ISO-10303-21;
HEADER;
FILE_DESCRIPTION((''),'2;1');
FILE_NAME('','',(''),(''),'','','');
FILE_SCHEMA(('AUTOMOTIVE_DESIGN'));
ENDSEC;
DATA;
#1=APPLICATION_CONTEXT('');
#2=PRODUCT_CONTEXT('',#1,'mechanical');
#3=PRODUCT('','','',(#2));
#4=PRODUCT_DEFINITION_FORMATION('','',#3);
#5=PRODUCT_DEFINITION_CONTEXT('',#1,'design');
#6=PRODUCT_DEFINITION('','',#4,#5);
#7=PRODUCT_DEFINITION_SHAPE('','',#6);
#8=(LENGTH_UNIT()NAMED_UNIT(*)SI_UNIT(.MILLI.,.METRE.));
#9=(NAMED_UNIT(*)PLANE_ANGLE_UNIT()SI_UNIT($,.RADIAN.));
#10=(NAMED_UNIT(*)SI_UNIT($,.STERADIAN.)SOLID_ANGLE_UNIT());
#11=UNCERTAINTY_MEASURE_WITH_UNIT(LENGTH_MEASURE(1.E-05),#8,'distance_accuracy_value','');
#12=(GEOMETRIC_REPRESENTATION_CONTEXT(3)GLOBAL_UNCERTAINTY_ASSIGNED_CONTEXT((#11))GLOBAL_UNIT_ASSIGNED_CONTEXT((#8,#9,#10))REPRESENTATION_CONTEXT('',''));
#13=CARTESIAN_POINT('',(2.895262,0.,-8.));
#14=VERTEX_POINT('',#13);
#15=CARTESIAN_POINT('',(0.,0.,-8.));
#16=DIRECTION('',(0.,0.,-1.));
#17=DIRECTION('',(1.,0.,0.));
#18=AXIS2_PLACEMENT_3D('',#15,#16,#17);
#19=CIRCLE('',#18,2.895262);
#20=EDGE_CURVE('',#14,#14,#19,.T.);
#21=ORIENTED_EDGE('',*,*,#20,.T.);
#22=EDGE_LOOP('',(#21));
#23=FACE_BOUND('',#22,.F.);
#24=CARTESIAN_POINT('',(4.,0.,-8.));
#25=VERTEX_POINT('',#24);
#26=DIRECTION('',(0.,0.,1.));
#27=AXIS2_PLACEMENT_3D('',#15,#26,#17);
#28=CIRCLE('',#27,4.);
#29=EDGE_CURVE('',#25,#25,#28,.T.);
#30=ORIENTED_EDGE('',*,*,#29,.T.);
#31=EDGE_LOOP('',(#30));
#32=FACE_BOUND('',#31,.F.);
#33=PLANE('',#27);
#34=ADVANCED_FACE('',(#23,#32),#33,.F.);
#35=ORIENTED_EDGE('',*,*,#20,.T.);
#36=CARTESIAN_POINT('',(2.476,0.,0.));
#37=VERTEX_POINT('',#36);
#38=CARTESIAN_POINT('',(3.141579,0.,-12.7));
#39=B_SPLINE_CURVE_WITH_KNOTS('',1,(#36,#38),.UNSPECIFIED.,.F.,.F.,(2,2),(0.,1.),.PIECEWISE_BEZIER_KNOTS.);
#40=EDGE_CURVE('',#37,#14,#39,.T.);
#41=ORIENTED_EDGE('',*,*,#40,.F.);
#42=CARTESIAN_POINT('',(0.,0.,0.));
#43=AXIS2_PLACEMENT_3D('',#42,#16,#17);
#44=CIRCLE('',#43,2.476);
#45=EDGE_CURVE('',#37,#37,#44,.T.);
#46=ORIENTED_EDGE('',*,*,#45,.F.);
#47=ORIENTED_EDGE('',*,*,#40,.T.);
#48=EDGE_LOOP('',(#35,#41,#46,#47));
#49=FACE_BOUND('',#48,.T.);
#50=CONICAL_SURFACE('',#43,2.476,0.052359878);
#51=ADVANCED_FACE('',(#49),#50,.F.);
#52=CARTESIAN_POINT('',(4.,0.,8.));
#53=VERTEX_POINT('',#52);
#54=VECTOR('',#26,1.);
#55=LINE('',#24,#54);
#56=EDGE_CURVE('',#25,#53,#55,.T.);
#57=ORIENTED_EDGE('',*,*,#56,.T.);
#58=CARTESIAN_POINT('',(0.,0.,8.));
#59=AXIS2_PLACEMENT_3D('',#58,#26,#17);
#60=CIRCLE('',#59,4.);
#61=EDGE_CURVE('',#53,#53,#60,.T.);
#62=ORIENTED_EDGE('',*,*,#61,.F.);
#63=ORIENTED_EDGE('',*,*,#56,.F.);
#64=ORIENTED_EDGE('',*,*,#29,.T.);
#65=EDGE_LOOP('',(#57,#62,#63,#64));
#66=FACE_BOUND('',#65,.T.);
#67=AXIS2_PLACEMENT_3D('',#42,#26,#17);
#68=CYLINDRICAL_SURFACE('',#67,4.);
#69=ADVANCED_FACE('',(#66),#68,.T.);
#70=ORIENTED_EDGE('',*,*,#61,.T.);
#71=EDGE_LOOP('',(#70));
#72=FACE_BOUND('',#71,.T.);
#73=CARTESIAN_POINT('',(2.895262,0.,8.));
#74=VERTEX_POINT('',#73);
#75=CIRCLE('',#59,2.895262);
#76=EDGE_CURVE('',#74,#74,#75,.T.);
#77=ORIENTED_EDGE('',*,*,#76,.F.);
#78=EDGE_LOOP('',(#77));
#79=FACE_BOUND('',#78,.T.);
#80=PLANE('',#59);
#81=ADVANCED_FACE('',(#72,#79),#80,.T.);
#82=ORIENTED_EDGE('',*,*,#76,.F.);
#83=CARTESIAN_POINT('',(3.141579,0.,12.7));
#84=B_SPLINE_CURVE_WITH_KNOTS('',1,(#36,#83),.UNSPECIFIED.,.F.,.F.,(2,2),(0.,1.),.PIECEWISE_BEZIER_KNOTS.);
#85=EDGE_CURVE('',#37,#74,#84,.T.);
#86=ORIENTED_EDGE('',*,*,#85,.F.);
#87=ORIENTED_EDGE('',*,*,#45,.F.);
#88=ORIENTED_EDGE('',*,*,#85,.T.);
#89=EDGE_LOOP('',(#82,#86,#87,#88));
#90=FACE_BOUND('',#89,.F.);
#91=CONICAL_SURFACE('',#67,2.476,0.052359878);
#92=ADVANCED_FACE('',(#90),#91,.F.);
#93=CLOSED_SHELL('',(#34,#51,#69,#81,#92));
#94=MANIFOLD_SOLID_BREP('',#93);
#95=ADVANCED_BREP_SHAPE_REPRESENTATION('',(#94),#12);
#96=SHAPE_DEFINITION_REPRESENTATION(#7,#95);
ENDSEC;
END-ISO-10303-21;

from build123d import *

# Parameters (mm, degrees)
F0_R     = 4
F0_R_2   = 2.476
F2_DEPTH = 8
F3_DEPTH = 12.7
F3_TAPER = -3


with BuildPart() as f2:
    # F0 (on Top) → F2 (new body, symmetric)
    with BuildSketch(Plane.XY):
        Circle(F0_R)
        Circle(F0_R_2, mode=Mode.SUBTRACT)
        Circle(F0_R_2)
    extrude(amount=F2_DEPTH, both=True)

    # F0 (on Top) → F3 (cut, symmetric)
    with BuildSketch(Plane.XY):
        Circle(F0_R_2)
    extrude(amount=F3_DEPTH, both=True, taper=F3_TAPER, mode=Mode.SUBTRACT)


solid = f2.part
